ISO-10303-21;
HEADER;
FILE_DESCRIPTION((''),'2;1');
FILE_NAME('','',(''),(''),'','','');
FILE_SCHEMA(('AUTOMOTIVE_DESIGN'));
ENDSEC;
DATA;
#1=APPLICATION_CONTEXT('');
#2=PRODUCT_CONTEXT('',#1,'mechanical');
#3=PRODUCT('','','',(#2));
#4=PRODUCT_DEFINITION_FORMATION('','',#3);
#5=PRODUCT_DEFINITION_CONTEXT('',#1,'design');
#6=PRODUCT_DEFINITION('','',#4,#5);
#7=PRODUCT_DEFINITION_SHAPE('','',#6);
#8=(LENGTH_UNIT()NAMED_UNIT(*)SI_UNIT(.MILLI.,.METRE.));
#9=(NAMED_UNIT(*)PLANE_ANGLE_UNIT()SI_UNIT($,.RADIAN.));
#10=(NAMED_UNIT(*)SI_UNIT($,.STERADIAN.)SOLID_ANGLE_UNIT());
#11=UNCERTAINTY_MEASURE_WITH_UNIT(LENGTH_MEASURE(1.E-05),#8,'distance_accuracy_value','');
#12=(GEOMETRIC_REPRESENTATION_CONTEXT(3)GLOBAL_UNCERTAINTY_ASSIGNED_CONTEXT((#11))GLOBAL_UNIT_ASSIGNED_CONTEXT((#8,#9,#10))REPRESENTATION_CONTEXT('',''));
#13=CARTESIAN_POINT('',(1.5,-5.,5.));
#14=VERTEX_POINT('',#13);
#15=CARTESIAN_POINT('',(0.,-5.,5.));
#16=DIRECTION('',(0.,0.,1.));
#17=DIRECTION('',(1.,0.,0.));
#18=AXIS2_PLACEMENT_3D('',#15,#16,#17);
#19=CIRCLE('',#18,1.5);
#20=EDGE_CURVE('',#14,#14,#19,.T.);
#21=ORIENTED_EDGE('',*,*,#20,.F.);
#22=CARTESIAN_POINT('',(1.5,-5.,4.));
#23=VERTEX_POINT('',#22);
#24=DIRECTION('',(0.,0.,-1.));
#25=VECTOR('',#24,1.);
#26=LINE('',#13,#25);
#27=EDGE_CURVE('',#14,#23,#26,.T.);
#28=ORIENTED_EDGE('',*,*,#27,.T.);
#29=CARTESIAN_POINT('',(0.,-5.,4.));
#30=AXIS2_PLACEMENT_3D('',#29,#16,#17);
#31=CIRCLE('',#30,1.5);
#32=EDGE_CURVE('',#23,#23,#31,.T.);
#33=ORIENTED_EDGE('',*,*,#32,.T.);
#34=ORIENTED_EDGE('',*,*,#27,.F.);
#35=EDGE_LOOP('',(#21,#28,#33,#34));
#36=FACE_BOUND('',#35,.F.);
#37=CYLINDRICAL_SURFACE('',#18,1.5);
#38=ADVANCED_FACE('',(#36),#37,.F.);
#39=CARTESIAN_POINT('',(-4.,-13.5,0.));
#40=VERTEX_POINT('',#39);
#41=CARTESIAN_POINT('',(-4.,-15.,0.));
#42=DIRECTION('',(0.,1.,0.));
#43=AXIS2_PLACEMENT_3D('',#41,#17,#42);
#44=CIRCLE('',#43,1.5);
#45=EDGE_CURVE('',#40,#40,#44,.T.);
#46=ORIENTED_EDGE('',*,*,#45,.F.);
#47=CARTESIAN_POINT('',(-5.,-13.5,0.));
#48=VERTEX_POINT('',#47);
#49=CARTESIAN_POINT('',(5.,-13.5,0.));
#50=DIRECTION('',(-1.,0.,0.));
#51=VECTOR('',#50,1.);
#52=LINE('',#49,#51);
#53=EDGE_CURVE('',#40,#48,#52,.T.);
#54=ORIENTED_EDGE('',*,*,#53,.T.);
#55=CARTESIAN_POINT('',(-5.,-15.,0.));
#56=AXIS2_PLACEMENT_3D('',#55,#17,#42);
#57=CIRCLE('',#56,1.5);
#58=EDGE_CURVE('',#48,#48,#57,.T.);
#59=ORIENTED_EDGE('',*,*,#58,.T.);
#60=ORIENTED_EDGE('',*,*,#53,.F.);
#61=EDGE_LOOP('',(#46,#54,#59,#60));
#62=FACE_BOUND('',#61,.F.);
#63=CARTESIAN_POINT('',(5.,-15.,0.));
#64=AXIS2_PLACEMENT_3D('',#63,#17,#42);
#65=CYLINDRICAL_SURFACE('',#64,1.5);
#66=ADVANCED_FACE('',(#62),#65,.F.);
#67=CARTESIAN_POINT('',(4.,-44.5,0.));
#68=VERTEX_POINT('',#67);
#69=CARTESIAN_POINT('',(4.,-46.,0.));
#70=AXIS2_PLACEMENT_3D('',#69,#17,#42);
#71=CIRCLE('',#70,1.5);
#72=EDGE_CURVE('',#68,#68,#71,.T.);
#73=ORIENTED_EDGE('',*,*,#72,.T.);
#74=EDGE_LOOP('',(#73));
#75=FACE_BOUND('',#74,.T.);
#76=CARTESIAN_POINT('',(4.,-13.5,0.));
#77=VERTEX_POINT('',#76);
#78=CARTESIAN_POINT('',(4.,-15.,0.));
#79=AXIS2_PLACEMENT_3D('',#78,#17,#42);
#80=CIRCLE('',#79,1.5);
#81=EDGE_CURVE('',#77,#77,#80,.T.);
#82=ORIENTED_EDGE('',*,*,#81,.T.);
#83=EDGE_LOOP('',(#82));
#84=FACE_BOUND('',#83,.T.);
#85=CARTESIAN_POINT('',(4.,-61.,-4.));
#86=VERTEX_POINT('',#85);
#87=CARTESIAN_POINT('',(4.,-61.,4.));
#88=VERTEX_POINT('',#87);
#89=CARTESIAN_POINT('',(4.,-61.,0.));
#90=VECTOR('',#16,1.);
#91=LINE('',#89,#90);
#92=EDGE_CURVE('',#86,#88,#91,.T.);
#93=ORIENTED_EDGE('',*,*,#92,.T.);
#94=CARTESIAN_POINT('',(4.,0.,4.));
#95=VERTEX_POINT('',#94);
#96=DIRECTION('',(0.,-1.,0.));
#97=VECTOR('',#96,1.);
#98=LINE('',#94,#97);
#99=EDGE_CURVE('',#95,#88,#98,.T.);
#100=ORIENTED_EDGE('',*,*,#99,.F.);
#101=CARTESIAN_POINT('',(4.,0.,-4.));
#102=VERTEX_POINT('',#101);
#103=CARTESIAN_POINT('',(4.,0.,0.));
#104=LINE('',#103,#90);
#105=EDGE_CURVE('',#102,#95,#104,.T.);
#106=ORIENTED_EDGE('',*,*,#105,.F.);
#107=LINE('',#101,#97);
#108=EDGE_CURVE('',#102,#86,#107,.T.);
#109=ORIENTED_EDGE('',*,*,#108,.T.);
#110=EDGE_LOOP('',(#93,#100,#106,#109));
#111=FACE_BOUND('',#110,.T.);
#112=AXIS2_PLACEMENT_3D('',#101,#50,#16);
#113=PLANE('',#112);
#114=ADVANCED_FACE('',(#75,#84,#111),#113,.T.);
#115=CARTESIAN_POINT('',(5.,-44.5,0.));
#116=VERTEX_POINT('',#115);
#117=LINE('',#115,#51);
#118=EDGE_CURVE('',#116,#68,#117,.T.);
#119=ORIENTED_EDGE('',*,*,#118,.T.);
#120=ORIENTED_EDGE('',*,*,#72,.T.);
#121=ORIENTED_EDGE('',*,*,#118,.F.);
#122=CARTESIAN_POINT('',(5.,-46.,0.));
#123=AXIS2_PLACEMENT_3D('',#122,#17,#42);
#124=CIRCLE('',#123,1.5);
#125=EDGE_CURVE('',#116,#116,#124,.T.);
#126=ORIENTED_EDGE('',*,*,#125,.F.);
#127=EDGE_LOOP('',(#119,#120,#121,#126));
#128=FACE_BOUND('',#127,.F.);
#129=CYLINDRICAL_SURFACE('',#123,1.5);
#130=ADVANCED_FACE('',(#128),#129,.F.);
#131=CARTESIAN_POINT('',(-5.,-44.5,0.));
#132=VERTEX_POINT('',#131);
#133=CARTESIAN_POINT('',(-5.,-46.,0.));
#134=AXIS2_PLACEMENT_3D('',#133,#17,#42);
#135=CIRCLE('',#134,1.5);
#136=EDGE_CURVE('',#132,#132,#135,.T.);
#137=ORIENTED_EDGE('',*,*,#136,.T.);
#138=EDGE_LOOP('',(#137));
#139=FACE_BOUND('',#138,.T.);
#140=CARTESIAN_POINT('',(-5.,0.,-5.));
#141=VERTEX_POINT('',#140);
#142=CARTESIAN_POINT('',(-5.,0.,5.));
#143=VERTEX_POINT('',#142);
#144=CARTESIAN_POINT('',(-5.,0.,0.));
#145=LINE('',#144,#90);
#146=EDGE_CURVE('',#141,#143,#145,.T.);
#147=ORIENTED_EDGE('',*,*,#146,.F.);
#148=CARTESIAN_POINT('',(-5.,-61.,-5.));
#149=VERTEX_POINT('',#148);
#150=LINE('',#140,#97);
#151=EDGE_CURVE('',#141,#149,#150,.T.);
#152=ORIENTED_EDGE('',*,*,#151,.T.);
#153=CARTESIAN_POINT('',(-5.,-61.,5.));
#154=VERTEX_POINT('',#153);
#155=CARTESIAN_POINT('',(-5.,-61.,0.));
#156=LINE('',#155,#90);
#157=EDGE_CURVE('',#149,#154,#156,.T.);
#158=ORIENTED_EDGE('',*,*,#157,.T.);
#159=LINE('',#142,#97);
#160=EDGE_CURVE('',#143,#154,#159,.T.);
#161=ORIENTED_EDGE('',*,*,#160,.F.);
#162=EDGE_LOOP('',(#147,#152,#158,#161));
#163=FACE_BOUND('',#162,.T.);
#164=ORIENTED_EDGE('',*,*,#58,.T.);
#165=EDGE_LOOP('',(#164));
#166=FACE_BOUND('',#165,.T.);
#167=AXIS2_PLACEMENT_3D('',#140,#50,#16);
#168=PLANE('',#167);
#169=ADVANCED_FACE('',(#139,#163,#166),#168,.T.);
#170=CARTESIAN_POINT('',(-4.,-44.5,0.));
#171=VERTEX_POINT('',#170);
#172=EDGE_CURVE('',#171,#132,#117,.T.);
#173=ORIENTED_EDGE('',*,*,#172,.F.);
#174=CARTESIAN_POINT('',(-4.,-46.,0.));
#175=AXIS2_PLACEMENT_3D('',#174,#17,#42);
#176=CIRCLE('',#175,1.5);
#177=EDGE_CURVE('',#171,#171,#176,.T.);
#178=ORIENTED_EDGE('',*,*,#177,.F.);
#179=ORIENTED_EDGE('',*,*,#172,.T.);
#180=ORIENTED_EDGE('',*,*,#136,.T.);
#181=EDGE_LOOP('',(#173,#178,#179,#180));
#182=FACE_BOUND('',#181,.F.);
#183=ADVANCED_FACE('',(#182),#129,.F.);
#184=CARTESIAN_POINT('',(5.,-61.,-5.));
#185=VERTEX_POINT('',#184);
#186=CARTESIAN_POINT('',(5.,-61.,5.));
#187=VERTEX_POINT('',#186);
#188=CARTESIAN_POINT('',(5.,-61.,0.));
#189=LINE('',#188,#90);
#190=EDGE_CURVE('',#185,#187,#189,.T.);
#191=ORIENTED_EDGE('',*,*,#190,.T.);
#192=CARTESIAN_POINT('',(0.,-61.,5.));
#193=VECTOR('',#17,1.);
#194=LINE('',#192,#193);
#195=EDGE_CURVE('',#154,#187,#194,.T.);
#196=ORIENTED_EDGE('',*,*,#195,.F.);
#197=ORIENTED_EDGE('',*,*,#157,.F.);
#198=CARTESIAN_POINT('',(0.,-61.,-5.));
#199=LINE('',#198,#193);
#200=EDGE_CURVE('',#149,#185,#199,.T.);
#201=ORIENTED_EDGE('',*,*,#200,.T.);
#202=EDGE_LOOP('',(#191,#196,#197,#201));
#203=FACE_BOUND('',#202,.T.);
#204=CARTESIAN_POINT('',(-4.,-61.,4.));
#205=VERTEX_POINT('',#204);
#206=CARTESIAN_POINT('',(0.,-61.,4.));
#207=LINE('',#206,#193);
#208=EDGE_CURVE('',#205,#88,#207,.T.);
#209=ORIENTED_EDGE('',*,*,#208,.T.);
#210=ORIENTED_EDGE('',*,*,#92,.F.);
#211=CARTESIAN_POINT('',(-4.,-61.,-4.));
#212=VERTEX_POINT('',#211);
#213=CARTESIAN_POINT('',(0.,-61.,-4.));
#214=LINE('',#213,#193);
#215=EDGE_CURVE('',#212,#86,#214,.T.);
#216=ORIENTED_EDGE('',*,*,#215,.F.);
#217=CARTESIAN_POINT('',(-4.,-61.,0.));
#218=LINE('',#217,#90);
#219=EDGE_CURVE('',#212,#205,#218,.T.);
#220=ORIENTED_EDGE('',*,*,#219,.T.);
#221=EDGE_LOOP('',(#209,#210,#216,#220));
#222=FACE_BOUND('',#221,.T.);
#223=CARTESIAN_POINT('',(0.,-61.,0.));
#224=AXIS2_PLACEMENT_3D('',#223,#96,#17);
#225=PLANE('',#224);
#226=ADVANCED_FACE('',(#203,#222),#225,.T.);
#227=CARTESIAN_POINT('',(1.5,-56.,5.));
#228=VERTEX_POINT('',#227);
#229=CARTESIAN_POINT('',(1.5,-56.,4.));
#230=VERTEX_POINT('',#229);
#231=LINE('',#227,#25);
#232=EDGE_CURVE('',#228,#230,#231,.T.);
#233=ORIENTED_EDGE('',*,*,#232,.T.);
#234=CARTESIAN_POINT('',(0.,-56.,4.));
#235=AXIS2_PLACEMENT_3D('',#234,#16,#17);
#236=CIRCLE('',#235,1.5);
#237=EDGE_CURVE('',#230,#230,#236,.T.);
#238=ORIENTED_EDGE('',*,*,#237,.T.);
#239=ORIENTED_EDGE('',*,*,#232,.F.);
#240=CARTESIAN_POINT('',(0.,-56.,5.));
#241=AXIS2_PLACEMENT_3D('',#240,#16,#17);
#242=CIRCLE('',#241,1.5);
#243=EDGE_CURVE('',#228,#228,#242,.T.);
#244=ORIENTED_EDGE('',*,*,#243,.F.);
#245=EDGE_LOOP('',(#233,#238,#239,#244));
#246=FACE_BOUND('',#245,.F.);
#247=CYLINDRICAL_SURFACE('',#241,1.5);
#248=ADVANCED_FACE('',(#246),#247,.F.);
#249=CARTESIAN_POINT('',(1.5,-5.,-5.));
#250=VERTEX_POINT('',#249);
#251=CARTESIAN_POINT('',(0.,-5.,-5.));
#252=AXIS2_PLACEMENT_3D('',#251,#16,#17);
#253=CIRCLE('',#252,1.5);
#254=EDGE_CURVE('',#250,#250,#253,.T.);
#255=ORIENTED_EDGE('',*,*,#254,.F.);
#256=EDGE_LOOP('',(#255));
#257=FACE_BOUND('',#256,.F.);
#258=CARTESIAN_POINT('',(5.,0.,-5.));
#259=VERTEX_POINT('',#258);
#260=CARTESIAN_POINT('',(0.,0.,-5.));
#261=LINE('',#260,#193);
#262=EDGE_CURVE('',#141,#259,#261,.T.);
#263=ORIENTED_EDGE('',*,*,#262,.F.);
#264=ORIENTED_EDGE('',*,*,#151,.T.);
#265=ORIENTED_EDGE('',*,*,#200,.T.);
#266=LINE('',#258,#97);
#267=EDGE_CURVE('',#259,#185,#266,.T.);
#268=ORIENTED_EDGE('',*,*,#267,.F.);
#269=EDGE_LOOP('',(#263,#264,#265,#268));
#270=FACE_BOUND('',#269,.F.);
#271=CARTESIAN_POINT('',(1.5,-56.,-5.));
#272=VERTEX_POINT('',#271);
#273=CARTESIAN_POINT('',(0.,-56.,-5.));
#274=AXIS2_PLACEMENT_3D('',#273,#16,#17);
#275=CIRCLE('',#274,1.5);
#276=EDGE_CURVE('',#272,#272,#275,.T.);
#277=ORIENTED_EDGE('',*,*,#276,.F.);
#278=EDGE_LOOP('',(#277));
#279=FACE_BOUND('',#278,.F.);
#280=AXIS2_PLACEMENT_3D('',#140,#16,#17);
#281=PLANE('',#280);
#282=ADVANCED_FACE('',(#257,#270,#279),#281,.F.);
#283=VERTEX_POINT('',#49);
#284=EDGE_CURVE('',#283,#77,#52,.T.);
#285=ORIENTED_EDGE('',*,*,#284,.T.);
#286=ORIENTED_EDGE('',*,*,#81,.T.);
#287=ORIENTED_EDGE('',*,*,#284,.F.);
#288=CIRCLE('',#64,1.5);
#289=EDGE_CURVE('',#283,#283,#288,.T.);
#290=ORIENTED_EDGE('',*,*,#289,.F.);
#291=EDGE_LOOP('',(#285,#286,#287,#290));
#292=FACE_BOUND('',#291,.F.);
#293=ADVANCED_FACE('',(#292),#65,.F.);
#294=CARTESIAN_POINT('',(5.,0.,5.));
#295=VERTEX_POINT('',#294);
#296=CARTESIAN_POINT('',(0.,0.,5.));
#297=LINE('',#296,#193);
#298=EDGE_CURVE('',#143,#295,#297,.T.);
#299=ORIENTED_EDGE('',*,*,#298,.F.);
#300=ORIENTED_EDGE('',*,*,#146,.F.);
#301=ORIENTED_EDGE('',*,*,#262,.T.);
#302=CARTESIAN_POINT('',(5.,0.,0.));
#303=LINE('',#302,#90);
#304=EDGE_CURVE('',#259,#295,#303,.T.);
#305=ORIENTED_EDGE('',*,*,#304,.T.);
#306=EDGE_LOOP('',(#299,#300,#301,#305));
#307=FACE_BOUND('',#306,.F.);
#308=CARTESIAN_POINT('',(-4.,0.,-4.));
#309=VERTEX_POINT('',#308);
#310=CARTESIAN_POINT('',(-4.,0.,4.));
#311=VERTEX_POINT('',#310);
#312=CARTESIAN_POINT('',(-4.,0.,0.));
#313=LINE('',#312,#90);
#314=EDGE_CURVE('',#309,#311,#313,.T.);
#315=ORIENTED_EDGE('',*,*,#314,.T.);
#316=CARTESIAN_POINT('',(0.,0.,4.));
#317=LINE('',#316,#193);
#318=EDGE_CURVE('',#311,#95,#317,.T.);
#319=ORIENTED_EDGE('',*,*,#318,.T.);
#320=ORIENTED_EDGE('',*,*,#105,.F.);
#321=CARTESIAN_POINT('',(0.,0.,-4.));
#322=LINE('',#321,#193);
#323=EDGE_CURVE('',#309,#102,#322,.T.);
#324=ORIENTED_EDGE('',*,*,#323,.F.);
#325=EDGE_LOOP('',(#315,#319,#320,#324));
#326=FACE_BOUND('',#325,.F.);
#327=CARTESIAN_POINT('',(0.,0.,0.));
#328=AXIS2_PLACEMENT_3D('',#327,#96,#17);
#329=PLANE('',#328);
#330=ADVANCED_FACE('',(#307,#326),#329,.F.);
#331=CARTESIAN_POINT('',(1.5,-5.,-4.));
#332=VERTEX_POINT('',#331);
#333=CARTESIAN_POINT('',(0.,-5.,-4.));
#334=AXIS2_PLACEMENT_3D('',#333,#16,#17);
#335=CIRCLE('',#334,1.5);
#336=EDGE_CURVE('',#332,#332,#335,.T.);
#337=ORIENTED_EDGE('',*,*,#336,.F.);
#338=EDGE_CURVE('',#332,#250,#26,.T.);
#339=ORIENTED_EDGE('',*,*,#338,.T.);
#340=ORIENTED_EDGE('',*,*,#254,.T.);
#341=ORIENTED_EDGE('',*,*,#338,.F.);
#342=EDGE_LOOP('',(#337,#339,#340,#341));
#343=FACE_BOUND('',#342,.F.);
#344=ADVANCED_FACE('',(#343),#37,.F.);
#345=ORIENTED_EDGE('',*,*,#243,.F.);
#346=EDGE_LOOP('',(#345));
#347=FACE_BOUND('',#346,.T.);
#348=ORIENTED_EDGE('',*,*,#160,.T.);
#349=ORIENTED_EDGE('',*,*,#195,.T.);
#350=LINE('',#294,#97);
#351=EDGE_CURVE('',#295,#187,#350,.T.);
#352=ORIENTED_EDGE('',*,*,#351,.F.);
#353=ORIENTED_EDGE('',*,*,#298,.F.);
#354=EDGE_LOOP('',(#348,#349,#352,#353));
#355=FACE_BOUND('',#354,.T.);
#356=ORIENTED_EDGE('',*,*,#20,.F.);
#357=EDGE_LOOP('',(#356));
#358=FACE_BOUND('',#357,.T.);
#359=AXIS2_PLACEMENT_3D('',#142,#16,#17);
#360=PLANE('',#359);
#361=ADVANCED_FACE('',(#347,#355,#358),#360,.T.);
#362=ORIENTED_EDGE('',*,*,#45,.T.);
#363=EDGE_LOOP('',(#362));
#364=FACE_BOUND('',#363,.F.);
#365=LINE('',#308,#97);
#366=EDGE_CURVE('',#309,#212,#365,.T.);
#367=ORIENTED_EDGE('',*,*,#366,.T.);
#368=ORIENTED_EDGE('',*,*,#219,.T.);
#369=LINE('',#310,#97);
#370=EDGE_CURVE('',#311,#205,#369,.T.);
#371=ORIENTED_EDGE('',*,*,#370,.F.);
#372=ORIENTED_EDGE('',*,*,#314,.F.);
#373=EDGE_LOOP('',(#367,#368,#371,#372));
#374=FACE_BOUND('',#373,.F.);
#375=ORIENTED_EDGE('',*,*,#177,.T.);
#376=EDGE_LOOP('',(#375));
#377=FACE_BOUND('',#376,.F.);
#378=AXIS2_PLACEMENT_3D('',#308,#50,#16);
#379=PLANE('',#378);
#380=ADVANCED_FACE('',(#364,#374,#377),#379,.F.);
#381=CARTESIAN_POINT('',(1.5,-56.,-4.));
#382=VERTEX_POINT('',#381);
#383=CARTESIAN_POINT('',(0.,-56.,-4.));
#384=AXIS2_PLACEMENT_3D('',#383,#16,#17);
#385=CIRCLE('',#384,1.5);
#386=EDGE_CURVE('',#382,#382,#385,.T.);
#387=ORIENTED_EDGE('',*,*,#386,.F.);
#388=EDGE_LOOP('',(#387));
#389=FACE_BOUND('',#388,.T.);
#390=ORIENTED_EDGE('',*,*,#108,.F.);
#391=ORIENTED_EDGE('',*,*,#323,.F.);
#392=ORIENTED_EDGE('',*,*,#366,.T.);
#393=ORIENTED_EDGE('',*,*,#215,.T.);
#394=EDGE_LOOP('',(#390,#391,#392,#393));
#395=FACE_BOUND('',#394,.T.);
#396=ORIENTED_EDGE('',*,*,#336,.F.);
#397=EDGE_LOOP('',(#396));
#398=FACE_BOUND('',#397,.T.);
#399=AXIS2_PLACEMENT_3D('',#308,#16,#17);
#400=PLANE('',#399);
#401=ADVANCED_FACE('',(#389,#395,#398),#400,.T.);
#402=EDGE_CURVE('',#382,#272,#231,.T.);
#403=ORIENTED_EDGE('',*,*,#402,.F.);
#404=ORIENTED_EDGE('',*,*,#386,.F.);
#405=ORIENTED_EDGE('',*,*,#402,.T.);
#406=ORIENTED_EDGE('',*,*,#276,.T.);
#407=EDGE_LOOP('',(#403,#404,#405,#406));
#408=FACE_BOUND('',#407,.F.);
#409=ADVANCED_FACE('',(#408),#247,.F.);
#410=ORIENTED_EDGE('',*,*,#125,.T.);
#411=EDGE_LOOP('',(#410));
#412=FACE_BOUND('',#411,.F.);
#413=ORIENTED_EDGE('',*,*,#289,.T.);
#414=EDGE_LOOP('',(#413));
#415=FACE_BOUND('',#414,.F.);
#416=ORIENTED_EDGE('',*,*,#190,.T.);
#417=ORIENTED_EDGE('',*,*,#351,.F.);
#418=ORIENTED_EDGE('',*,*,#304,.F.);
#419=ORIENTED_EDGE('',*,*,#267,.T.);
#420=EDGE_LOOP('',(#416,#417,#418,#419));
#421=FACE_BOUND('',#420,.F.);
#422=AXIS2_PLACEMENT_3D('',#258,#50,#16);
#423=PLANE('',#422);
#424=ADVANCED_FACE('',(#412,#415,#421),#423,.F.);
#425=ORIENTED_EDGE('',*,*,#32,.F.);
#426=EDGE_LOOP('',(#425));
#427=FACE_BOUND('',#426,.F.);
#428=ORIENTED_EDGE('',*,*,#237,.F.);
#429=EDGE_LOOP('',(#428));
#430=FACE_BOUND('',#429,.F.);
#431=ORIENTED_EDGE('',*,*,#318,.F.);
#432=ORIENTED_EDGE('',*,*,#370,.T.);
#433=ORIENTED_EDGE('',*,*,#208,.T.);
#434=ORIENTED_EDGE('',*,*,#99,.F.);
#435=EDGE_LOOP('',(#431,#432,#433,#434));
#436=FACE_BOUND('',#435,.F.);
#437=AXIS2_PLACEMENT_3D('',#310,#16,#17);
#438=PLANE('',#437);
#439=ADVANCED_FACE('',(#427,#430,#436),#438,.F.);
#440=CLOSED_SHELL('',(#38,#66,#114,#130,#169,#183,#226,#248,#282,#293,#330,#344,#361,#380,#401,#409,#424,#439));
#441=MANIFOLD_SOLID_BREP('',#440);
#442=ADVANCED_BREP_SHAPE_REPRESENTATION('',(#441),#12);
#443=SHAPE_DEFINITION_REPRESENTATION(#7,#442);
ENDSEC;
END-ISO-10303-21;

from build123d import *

# Parameters (mm, degrees)
F0_W     = 10
F0_H     = 10
F0_W_2   = 8
F0_H_2   = 8
F1_DEPTH = 61
F2_R     = 1.5
F3_DEPTH = 25
F4_R     = 1.5
F5_DEPTH = 25


with BuildPart() as f1:
    # F0 (on Front) → F1 (new body)
    with BuildSketch(Plane.XZ):
        Rectangle(F0_W, F0_H)
        Rectangle(F0_W_2, F0_H_2, mode=Mode.SUBTRACT)
    extrude(amount=F1_DEPTH)

    # F2 (on face) → F3 (cut)
    with BuildSketch(Plane.XY.offset(5)):
        with Locations((0, -5)):
            Circle(F2_R)
        with Locations((0, -56)):
            Circle(F2_R)
    extrude(amount=-F3_DEPTH, mode=Mode.SUBTRACT)

    # F4 (on face) → F5 (cut)
    with BuildSketch(Plane.YZ.offset(5)):
        with Locations((-46, 0)):
            Circle(F4_R)
        with Locations((-15, 0)):
            Circle(F4_R)
    extrude(amount=-F5_DEPTH, mode=Mode.SUBTRACT)


solid = f1.part
